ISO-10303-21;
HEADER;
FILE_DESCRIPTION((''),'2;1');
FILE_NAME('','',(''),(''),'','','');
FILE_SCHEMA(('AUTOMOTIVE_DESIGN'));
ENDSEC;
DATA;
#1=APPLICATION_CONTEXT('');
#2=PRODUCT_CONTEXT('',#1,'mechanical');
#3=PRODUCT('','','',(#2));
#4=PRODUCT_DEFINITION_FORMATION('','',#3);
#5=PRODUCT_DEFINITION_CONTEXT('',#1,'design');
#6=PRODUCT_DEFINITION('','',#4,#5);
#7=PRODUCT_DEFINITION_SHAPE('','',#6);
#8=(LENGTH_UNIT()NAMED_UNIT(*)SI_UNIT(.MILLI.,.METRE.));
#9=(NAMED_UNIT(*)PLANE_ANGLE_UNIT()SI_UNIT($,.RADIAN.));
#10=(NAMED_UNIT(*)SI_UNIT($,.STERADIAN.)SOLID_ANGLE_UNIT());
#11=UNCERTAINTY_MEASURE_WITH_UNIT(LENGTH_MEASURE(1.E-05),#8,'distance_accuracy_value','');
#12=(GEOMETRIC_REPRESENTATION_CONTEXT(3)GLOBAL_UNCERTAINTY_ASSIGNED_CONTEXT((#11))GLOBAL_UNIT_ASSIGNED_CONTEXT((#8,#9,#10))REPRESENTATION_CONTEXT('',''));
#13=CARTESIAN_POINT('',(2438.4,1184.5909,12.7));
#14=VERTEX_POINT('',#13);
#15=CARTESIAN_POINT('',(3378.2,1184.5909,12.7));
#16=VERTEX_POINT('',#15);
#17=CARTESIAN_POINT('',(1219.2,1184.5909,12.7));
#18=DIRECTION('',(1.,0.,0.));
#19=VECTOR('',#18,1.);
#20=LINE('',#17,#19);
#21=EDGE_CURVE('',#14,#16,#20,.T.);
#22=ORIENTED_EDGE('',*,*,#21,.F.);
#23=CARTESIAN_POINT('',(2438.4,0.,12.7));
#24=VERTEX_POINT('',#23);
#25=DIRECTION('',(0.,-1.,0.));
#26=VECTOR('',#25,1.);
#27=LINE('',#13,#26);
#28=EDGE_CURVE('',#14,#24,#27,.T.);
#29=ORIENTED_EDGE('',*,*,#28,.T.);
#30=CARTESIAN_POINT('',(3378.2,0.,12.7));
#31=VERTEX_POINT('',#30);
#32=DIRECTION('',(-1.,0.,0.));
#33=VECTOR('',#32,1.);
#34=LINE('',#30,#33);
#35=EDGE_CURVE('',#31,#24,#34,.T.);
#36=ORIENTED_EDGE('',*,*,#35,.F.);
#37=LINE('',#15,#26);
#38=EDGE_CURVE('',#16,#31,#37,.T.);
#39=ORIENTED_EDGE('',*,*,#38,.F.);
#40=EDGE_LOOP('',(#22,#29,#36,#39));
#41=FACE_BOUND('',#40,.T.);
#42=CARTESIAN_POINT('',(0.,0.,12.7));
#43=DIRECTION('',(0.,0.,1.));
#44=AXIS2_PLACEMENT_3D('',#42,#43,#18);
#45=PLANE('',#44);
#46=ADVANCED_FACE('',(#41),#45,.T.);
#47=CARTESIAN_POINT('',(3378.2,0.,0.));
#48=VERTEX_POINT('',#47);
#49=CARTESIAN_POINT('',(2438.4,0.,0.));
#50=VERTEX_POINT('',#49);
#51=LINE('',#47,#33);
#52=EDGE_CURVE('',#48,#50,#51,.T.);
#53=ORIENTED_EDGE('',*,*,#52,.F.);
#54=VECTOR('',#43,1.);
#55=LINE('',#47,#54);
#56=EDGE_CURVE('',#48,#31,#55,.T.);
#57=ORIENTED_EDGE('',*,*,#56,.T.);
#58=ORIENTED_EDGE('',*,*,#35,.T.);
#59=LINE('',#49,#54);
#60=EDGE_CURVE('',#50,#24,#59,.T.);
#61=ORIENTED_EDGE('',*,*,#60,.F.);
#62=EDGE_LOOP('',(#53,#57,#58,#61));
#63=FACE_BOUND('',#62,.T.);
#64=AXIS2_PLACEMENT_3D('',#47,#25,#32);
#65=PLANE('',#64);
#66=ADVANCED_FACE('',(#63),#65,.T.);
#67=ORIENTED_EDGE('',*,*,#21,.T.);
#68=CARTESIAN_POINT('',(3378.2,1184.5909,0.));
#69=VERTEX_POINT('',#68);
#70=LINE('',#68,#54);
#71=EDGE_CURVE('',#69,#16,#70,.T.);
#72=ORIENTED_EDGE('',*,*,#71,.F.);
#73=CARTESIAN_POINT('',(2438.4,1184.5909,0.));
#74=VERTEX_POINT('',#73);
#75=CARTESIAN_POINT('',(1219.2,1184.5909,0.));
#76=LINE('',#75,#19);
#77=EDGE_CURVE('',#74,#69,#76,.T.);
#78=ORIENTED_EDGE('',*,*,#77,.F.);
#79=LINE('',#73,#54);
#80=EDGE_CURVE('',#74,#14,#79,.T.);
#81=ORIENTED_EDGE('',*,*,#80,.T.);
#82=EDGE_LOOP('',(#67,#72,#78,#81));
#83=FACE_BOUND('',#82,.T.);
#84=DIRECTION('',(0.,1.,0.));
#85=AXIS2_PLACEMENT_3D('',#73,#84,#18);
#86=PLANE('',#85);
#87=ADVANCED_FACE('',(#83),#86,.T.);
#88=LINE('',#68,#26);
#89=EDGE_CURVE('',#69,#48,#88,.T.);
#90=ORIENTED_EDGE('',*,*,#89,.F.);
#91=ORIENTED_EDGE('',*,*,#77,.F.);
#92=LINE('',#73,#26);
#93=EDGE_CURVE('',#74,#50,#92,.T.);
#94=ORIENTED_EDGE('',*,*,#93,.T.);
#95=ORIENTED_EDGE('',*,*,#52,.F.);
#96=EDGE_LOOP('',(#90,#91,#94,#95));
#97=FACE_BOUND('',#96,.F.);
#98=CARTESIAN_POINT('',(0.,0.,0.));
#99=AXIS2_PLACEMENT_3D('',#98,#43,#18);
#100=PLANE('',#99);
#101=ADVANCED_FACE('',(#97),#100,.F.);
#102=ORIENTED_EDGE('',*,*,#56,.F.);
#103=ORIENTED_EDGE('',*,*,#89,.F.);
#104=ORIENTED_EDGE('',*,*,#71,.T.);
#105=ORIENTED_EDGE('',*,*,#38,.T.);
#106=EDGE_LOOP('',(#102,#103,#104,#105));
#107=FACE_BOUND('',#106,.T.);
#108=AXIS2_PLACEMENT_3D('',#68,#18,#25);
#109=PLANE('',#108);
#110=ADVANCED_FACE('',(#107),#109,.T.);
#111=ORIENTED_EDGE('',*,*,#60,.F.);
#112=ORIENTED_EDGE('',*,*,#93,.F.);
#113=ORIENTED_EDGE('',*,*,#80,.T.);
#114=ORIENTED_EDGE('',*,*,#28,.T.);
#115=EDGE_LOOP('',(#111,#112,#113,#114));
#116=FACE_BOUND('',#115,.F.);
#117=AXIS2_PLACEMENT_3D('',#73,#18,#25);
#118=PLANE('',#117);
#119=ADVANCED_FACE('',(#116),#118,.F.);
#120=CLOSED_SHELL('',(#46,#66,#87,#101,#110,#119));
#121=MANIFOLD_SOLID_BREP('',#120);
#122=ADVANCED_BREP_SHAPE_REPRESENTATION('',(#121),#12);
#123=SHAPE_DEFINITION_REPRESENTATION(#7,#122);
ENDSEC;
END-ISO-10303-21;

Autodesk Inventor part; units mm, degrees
ref_plane "YZ Plane" through (0, 0, 0) normal (1, 0, 0) x (0, 1, 0)
ref_plane "XZ Plane" through (0, 0, 0) normal (0, 1, 0) x (-1, 0, 0)
ref_plane "XY Plane" through (0, 0, 0) normal (0, 0, 1) x (1, 0, 0)
sketch "Sketch1" plane through (0, 0, 0) normal (0, 0, 1) x (1, 0, 0)
  line L0 (0, 0) -> (0, 761.0602)
  line L1 (0, 0) -> (1219.2, 0)
  line L2 (0, 761.0602) -> (3365.5, 1883.9848)
  line L3 (12.7, 765.2977) -> (12.7, 0)
  line L4 (3365.5, 1883.9848) -> (3365.5, 1736.7138)
  line L5 (3365.5, 1736.7138) -> (101.6, 647.6888)
  line L6 (101.6, 647.6888) -> (12.7, 647.6888)
  line L7 (1219.2, 0) -> (1219.2, 1167.8555)
  line L8 (0, 761.0602) -> (-33.4963, 749.8839)
  line L9 (-33.4963, 749.8839) -> (-33.4963, 647.6888)
  line L10 (-33.4963, 647.6888) -> (0, 647.6888)
  line L11 (-33.4963, 749.8839) -> (-38.5208, 764.9428)
  line L12 (-38.5208, 764.9428) -> (1219.2, 1184.5909)
  line L13 (1219.2, 1184.5909) -> (1219.2, 1167.8555)
  line L14 (1219.2, 1184.5909) -> (3378.2, 1184.5909)
  line L15 (3378.2, 1184.5909) -> (3378.2, 0)
  line L16 (3378.2, 0) -> (1219.2, 0)
  line L17 (2438.4, 1184.5909) -> (2438.4, 0)
  dimension "d1" = 761.0602
  dimension "d3" = 12.7
  dimension "d4" = 3352.8
  dimension "d6" = 139.7
  dimension "d8" = 88.9
  dimension "d9" = 1089.025
  dimension "d12" = 46.1962
  dimension "d14" = 15.875
  dimension "d16" = 1219.2
  dimension "d17" = 2159
  dimension "d18" = 1219.2
extrude "Extrusion1" add sketch "Sketch1" along normal blind 12.7 contours L17 L14 L15 L16
properties part number "OSB_For_Side_And_Middle" material "Wood (Birch)"
